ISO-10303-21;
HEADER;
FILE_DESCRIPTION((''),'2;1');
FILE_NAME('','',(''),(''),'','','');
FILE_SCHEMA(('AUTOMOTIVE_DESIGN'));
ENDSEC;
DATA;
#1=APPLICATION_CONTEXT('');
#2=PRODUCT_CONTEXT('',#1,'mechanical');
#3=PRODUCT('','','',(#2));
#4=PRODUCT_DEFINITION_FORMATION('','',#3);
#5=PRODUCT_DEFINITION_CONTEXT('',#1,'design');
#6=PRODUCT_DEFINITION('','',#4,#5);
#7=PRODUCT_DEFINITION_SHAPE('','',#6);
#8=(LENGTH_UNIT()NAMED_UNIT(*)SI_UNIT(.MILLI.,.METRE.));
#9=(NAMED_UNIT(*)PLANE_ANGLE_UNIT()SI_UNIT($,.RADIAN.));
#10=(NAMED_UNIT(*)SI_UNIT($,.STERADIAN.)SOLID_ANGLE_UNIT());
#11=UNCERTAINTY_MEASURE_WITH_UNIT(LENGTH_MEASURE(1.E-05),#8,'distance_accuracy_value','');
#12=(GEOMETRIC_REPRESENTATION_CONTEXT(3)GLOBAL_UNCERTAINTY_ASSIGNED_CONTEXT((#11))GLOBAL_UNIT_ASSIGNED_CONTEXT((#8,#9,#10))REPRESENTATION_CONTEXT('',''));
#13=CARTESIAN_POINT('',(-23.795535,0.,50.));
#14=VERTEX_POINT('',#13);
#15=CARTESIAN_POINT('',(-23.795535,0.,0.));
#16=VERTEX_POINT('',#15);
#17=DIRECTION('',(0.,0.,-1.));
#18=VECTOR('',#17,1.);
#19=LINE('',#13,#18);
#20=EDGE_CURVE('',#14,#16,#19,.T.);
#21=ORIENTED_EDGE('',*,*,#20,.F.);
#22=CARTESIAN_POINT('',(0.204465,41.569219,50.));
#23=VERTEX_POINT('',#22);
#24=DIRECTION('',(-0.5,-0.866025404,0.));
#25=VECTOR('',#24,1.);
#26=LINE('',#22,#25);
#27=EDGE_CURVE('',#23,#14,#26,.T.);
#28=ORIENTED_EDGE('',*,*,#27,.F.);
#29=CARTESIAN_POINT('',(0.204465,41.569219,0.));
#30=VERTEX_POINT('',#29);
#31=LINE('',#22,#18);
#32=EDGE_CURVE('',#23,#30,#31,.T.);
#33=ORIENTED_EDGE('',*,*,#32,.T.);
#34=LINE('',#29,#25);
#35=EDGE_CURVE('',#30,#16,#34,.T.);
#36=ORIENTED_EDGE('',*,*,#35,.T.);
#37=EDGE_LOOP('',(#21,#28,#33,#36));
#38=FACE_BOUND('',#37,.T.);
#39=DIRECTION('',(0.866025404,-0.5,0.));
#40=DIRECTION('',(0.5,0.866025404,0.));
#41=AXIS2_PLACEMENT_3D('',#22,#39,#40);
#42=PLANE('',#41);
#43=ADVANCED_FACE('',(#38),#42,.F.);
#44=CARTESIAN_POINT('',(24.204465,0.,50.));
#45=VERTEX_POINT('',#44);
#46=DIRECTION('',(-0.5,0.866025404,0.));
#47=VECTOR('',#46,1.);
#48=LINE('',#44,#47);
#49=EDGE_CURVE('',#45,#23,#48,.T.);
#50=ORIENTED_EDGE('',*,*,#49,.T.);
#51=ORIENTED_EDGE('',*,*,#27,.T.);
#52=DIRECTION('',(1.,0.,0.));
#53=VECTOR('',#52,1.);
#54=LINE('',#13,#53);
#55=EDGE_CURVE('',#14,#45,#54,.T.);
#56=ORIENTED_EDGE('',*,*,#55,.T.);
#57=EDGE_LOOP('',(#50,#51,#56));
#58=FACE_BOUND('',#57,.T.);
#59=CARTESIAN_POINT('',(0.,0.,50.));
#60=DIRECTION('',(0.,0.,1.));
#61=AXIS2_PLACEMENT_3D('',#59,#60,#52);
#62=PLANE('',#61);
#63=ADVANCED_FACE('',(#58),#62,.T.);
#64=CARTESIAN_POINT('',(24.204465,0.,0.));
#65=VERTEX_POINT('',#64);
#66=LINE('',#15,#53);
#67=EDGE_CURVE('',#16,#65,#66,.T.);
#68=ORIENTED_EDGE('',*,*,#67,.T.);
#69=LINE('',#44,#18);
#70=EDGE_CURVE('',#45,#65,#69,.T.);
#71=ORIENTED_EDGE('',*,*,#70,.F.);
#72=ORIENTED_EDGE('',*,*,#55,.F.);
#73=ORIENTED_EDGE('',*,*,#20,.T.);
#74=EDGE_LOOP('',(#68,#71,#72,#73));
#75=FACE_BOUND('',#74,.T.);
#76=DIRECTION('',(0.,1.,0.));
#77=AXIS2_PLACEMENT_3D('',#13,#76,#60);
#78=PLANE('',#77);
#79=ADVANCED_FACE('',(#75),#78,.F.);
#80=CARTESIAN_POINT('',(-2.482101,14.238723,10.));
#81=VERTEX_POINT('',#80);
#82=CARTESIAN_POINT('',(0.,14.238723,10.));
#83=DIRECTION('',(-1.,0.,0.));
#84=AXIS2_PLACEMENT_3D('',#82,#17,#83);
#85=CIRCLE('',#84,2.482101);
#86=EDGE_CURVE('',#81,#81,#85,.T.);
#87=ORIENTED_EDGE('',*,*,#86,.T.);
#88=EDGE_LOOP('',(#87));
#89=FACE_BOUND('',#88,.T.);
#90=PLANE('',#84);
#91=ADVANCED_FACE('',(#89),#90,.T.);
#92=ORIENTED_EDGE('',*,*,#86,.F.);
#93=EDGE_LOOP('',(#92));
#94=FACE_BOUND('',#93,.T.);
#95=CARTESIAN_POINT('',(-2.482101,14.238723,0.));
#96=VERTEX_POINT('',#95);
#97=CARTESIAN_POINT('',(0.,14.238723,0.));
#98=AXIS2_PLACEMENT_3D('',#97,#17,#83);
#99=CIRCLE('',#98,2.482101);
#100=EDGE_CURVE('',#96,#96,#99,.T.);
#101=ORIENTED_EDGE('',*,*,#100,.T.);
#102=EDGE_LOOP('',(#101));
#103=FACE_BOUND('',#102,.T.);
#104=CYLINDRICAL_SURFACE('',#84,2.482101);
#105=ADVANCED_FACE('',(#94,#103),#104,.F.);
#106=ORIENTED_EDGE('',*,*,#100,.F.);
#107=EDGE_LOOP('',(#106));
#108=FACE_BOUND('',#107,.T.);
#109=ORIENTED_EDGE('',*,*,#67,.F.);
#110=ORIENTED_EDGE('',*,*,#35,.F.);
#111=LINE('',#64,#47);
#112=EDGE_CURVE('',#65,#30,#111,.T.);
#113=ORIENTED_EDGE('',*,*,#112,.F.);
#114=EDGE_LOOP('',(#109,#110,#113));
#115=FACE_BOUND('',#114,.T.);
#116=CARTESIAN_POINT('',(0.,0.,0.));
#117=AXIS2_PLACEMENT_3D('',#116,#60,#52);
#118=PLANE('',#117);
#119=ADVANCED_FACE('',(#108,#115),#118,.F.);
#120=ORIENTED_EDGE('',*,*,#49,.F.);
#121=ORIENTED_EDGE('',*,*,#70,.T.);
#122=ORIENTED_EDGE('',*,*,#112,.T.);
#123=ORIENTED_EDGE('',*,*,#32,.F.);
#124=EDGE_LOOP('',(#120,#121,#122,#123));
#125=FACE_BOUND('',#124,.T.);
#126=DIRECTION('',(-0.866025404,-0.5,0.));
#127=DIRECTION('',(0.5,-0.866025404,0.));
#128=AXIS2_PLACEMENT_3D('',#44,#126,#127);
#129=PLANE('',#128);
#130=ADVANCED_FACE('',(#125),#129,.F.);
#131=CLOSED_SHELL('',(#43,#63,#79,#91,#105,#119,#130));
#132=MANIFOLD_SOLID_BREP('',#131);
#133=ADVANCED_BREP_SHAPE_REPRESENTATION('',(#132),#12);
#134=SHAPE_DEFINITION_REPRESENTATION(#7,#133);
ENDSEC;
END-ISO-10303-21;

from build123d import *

# Parameters (mm, degrees)
SALIENTE_EXTRUIR2_DEPTH = 50
CROQUIS3_R              = 2.482100889
CORTAR_EXTRUIR1_DEPTH   = 10


with BuildPart() as part:
    # Croquis1 → Saliente-Extruir2 (new body)
    with BuildSketch(Plane.XY):
        Polygon((0.204464985, 41.569219382), (-23.795535015, 0), (24.204464985, 0), align=None)
    extrude(amount=SALIENTE_EXTRUIR2_DEPTH)

    # Croquis3 → Cortar-Extruir1 (cut)
    with BuildSketch(Plane(origin=(0, 0, 0), x_dir=(-1, 0, 0), z_dir=(0, 0, -1))):
        with Locations((0, 14.238722588)):
            Circle(CROQUIS3_R)
    extrude(amount=-CORTAR_EXTRUIR1_DEPTH, mode=Mode.SUBTRACT)


solid = part.part
